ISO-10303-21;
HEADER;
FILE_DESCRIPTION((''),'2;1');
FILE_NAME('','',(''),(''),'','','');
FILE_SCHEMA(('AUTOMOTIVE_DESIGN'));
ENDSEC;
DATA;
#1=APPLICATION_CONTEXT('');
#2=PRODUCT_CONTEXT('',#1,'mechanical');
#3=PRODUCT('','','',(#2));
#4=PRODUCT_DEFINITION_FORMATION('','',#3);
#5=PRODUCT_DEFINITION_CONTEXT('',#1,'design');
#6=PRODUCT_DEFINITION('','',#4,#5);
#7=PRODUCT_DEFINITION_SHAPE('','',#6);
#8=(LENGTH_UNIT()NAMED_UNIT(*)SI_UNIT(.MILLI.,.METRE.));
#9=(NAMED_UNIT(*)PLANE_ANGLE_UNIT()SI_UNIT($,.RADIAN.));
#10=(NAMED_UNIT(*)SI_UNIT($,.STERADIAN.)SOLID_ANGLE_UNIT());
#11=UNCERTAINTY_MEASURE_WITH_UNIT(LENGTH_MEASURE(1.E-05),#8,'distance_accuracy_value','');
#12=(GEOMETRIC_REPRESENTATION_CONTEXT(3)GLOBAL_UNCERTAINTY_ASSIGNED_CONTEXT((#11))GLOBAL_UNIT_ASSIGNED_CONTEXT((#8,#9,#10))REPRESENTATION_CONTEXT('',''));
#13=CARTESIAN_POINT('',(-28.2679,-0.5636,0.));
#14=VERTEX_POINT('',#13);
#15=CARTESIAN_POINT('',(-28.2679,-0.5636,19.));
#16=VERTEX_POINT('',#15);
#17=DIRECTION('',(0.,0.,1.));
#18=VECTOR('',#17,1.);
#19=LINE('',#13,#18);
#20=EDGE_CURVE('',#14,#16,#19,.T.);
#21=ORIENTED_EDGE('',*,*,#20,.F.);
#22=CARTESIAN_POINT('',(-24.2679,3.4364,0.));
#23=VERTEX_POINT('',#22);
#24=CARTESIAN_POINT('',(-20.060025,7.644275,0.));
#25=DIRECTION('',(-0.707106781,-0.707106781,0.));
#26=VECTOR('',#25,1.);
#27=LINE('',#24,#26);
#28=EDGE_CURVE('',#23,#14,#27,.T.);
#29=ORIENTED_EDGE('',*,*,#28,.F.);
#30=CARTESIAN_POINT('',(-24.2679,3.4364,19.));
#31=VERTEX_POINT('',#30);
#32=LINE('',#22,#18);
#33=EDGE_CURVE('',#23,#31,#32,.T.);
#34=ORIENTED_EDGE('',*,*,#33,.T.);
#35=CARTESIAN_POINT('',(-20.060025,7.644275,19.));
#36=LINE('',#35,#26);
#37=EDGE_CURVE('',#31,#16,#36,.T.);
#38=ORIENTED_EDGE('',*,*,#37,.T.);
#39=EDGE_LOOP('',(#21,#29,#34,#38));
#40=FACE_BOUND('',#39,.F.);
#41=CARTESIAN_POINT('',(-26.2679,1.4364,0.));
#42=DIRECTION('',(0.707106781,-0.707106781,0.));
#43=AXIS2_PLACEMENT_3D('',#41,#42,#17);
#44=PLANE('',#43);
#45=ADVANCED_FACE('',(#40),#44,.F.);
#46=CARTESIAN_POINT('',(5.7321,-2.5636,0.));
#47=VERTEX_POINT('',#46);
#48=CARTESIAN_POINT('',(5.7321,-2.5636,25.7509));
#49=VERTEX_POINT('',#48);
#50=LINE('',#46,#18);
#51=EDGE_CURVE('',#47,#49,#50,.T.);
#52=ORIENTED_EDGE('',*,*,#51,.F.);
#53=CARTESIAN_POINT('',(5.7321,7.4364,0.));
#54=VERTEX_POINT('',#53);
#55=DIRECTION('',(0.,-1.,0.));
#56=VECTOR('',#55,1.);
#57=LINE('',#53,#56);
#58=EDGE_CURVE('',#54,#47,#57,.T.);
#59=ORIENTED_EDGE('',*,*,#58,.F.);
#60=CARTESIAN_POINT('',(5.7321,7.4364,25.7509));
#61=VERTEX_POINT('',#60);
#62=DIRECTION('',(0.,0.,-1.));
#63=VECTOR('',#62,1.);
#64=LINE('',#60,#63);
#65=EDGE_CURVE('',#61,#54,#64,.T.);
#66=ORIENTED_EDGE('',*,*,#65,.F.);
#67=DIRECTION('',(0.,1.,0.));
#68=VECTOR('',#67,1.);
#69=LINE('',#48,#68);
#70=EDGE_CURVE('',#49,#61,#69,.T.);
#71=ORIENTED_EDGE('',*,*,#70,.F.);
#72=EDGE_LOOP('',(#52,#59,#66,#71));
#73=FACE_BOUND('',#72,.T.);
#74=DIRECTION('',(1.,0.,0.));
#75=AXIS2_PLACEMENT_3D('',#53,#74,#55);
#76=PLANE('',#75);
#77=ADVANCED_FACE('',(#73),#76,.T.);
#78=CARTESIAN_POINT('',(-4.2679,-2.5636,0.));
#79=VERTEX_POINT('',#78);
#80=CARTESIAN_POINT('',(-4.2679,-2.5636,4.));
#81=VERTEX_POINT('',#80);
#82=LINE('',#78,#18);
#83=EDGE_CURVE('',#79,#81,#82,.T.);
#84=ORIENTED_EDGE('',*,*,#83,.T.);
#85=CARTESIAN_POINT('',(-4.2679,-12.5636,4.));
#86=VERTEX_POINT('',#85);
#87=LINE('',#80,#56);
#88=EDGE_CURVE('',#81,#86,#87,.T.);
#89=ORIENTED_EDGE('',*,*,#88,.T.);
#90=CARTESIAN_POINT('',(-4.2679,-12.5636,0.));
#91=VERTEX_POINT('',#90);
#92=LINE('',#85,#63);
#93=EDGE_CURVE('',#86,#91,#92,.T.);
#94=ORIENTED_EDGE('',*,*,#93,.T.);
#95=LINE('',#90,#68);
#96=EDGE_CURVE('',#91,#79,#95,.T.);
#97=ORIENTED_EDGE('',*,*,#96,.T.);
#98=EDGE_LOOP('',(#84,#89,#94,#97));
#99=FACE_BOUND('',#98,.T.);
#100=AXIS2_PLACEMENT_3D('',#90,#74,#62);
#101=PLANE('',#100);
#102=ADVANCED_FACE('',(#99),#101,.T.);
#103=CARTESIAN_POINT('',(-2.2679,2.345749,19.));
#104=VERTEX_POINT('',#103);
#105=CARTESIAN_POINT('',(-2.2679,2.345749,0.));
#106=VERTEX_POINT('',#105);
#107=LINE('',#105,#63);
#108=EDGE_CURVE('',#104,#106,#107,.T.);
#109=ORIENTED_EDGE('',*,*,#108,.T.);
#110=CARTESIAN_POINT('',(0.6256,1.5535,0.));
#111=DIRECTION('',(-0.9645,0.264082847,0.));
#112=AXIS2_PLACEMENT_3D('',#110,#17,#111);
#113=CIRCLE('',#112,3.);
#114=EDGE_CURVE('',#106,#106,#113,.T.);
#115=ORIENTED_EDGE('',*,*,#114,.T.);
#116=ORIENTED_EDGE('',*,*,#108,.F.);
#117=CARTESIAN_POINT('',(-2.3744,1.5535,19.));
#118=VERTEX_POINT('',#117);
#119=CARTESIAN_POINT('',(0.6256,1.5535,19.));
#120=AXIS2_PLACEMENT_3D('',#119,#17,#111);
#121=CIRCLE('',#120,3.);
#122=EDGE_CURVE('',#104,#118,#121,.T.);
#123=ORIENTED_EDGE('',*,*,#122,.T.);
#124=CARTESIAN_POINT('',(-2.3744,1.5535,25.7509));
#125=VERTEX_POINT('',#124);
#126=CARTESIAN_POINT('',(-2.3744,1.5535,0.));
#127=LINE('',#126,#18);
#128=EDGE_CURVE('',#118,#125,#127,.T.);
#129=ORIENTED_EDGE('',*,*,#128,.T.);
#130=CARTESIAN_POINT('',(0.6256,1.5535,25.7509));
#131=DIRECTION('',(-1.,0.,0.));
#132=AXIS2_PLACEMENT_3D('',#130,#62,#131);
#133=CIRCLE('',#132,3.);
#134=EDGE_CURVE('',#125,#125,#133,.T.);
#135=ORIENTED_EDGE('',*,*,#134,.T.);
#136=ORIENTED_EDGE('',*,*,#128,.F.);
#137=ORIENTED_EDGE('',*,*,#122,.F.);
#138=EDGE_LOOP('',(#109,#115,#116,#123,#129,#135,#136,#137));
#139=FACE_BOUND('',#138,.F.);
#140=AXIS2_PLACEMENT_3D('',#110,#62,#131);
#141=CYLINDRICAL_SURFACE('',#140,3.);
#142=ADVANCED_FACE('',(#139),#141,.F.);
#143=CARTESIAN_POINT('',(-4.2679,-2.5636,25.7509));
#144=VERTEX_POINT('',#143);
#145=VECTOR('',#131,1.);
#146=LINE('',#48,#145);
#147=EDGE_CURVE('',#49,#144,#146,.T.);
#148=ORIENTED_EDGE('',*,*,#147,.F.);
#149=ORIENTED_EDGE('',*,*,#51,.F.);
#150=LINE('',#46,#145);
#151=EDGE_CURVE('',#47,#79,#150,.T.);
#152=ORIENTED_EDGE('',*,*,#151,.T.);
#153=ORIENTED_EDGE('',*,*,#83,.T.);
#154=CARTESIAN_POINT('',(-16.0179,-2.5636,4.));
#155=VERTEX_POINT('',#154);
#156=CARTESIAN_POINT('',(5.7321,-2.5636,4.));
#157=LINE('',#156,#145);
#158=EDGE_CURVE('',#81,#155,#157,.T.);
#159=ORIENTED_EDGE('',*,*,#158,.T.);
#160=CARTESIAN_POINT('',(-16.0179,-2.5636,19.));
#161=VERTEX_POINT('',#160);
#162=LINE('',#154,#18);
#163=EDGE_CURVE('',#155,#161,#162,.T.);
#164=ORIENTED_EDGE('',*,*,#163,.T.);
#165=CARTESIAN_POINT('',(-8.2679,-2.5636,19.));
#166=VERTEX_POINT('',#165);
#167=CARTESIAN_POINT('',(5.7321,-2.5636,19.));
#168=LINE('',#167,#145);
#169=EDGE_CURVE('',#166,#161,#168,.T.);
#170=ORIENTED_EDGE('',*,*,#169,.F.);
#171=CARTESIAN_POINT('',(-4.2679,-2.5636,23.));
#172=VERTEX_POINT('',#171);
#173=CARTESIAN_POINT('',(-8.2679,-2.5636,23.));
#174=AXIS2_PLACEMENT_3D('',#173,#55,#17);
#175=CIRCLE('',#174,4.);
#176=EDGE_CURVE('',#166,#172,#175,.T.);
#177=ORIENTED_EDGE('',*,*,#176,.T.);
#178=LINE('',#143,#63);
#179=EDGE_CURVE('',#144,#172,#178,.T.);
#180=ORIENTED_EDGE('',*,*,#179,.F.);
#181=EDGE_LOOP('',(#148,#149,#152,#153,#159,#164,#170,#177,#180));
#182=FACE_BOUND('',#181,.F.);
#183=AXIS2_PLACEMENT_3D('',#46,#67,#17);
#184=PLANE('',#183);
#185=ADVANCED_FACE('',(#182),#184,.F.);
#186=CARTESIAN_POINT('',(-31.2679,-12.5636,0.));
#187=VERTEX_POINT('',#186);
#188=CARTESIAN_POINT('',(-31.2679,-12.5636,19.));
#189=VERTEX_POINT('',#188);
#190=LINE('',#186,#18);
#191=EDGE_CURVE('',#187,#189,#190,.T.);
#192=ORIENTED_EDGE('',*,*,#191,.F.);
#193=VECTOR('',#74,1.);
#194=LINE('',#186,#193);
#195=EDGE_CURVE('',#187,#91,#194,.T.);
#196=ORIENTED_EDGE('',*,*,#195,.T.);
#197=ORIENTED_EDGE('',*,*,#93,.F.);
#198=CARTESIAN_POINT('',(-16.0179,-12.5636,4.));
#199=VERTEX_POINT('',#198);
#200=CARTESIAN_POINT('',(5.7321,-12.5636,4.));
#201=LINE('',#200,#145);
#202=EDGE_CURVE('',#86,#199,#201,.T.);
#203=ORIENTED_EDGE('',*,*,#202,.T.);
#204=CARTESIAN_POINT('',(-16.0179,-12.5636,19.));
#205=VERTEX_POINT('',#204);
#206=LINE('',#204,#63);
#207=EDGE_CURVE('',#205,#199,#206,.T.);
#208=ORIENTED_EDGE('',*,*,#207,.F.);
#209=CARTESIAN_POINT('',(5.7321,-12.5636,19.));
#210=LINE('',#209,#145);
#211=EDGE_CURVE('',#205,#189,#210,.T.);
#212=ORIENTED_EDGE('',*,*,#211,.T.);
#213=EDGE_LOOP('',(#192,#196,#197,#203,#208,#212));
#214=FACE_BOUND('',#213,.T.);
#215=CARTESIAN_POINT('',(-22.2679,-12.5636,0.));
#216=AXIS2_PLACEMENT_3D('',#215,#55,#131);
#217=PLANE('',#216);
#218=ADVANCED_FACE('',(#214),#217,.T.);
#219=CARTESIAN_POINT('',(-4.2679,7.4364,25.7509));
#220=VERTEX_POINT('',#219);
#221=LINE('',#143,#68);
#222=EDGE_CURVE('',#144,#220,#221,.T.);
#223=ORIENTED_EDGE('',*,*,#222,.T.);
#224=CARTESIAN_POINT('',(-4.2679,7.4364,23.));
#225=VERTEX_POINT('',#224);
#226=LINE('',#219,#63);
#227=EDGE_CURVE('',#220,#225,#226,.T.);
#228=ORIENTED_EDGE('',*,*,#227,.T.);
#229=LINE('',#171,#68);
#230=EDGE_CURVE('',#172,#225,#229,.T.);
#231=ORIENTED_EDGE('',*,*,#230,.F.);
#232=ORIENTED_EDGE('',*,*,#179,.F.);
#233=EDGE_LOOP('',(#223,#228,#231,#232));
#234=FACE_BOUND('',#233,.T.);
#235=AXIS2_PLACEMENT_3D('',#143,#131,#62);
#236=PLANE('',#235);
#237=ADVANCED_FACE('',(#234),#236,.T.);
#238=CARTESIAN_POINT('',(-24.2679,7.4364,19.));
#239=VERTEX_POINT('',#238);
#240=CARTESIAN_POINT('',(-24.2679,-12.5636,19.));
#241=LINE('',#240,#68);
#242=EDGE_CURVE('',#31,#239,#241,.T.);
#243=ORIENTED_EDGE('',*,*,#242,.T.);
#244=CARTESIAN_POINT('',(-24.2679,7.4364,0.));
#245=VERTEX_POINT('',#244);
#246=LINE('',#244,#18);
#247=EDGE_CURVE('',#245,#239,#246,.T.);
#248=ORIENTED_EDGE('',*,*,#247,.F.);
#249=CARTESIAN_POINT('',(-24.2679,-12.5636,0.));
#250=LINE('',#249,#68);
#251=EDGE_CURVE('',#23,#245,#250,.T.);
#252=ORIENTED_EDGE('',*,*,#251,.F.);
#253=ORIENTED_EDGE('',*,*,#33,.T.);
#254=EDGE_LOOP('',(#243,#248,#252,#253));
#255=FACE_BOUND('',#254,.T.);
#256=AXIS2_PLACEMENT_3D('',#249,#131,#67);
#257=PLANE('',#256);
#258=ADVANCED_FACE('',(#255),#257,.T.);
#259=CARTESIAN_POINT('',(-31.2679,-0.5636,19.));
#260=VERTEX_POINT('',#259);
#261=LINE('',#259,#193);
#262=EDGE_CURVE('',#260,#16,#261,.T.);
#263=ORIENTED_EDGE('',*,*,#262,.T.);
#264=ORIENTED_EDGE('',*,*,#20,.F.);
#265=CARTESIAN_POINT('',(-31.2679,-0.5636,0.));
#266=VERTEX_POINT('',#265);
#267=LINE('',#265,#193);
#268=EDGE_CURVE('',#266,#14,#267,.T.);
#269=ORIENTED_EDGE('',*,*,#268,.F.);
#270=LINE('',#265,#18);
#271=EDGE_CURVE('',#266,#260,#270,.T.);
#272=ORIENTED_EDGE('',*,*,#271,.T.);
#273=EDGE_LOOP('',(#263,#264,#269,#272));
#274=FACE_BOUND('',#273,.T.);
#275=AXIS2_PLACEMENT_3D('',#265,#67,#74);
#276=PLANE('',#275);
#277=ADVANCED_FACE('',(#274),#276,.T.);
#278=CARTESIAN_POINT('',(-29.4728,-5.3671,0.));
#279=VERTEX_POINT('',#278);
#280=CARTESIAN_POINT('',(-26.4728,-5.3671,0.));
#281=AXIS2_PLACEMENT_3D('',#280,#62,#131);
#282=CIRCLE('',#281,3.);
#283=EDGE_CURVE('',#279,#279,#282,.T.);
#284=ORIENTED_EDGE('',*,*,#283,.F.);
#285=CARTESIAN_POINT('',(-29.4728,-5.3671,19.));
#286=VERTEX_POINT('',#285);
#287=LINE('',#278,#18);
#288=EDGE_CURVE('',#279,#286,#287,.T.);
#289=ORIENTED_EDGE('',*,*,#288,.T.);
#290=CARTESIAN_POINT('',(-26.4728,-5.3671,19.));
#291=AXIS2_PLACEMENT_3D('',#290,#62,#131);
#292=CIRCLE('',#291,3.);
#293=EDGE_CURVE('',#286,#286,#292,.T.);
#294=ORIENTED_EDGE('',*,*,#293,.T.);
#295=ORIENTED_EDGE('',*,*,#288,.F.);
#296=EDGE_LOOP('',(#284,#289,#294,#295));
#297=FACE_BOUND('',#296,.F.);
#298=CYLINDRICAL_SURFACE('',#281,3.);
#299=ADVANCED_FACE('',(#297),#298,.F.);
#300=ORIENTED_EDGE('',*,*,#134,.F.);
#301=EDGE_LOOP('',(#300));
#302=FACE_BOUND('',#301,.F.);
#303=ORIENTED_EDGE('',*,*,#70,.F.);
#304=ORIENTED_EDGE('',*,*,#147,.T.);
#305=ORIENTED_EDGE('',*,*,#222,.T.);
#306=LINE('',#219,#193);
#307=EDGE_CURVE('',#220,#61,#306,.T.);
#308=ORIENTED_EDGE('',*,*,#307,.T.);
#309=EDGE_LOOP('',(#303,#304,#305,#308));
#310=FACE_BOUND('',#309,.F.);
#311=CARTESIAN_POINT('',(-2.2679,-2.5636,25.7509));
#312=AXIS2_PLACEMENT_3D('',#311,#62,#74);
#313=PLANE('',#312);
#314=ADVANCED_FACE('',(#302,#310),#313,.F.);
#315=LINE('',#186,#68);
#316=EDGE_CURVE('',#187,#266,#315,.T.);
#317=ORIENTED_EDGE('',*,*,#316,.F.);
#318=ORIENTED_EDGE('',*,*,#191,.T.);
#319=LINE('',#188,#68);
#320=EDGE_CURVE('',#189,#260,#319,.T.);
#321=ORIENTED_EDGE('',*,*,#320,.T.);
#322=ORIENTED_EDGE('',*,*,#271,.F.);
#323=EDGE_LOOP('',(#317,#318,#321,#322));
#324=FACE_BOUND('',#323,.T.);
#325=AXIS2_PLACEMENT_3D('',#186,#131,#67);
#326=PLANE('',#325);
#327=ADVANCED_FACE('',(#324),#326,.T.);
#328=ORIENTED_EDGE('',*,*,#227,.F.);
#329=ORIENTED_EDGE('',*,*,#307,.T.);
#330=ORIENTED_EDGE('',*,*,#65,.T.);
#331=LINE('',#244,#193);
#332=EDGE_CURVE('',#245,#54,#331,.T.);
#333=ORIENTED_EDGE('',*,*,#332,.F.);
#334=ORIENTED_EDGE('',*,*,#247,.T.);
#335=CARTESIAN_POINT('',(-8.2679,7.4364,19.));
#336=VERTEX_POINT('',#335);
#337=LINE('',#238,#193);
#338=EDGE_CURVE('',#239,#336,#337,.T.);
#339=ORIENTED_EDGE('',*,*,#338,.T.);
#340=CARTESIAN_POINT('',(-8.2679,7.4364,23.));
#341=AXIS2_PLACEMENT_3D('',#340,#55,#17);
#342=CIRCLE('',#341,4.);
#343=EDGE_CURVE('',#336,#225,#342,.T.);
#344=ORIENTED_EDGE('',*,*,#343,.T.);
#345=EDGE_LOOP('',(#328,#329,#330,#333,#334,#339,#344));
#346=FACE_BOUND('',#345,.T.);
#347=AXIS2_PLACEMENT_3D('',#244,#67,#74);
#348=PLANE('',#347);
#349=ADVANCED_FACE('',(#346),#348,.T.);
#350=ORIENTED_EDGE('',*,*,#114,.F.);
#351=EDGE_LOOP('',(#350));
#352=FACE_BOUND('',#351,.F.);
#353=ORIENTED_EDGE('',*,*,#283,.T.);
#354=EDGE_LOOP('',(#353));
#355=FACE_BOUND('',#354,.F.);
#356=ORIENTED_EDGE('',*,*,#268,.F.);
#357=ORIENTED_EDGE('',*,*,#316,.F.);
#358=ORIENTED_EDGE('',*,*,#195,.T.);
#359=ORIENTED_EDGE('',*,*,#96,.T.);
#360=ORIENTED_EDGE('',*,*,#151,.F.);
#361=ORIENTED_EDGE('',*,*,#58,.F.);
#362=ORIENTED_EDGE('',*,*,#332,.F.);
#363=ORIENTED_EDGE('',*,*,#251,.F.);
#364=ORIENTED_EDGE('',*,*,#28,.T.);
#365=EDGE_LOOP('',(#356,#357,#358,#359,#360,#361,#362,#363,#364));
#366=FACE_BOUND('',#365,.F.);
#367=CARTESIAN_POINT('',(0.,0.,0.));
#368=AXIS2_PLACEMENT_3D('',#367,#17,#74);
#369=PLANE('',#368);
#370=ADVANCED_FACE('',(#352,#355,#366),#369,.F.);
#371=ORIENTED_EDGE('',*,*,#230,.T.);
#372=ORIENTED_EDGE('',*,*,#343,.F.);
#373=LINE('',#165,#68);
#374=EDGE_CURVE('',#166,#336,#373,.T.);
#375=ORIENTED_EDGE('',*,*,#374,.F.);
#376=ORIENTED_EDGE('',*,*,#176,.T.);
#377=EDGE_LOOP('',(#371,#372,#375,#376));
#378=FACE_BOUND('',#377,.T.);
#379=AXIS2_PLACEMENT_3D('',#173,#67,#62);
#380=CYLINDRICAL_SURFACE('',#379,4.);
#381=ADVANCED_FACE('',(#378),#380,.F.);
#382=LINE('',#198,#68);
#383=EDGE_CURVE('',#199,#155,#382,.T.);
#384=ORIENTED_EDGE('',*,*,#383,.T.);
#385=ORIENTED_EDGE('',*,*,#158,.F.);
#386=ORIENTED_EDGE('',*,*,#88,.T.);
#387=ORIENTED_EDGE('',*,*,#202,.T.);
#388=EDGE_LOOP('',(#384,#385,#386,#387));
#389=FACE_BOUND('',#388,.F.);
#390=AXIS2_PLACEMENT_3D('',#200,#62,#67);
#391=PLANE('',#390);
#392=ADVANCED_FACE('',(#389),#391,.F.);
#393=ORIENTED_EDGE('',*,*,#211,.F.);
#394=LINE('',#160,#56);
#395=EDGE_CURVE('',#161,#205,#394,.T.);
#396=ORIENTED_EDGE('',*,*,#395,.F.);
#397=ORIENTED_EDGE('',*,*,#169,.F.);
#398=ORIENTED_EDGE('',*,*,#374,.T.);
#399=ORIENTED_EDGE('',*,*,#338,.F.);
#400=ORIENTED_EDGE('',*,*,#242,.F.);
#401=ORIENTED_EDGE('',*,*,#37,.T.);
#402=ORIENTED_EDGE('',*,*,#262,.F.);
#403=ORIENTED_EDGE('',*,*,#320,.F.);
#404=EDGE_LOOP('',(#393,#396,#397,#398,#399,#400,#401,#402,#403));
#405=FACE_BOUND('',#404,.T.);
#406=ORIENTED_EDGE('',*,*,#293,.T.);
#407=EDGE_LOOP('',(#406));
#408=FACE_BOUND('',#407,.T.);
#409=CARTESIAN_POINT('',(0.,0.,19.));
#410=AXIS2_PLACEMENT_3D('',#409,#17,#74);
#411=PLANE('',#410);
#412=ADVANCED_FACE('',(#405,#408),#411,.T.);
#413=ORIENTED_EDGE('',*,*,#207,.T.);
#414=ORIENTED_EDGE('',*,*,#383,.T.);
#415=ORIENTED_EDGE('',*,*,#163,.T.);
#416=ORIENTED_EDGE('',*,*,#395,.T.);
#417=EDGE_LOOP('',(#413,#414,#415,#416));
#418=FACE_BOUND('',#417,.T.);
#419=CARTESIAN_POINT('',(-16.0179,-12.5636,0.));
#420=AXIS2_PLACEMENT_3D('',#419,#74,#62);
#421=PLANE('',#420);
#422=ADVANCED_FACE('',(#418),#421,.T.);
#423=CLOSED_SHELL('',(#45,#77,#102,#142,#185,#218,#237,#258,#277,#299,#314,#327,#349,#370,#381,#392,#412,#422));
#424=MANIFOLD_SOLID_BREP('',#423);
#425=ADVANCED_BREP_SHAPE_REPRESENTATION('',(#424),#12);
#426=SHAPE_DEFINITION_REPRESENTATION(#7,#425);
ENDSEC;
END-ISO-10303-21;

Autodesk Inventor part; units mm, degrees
ref_plane "YZ Plane" through (0, 0, 0) normal (1, 0, 0) x (0, 1, 0)
ref_plane "XZ Plane" through (0, 0, 0) normal (0, 1, 0) x (-1, 0, 0)
ref_plane "XY Plane" through (0, 0, 0) normal (0, 0, 1) x (1, 0, 0)
sketch "草图1" plane through (0, 0, 0) normal (0, 0, 1) x (1, 0, 0)
  line L0 (-22.2679, -12.5636) -> (3.7321, -12.5636) projected
  line L1 (-24.2679, 7.4364) -> (5.7321, 7.4364)
  line L2 (5.7321, 7.4364) -> (5.7321, -12.5636)
  line L3 (5.7321, -12.5636) -> (-24.2679, -12.5636)
  line L4 (-24.2679, -12.5636) -> (-24.2679, 7.4364)
  point P0 (-22.2679, -12.5636)
  point P1 (3.7321, -12.5636)
  dimension "d4" = 30
  dimension "d5" = 20
extrude "拉伸1" add sketch "草图1" along normal blind 19
sketch "草图2" plane through (0, 0, 0) normal (0, 0, -1) x (-1, 0, 0)
  line L0 (24.2679, 7.4364) -> (24.2679, -12.5636) projected
  line L1 (24.2679, -12.5636) -> (31.2679, -12.5636)
  line L2 (31.2679, -12.5636) -> (31.2679, -0.5636)
  line L3 (31.2679, -0.5636) -> (24.2679, -0.5636)
  line L4 (24.2679, -0.5636) -> (24.2679, -12.5636)
  point P0 (0, 0)
  dimension "d6" = 7
  dimension "d7" = 12
extrude "拉伸2" add sketch "草图2" against normal up to surface (19 mm away)
sketch "草图3" plane through (0, 0, 0) normal (0, 0, -1) x (-1, 0, 0)
  circle A0 centre (-0.6256, 1.5535) radius 3
  circle A1 centre (26.4728, -5.3671) radius 3
  point P0 (0, 0)
  dimension "d10" = 6
  dimension "d11" = 6
extrude "拉伸3" cut sketch "草图3" against normal blind 40
sketch "草图4" plane through (5.7321, -12.5636, 0) normal (1, 0, 0) x (0, 0, -1)
  line L0 (-19, 0) -> (-4, 0)
  line L1 (-4, 0) -> (-4, 10)
  line L2 (-4, 10) -> (-19, 10)
  line L3 (-19, 10) -> (-19, 0)
  point P0 (0, 12.5636)
  dimension "d14" = 10
  dimension "d15" = 15
extrude "拉伸4" cut sketch "草图4" against normal blind 21.75
chamfer "倒角1" distance 4 angle 45 1 edges at (-24.2679, -0.5636, 9.5)
sketch "草图5" plane through (5.7321, -12.5636, 0) normal (1, 0, 0) x (0, 0, -1)
  line L0 (-4, 0) -> (-19, 0) projected
  line L1 (-4, 0) -> (0, 0)
  line L2 (0, 0) -> (0, 10)
  line L3 (0, 10) -> (-4, 10)
  line L4 (-4, 10) -> (-4, 0)
  line L5 (0, 0) -> (0, 20) projected
  line L6 (-19, 10) -> (-4, 10) projected
  point P0 (0, 12.5636)
extrude "拉伸5" cut sketch "草图5" against normal blind 10
sketch "草图6" plane through (5.7321, -2.5636, 0) normal (0, -1, 0) x (1, 0, 0)
  line L0 (0, 0) -> (0, 19) projected
  line L1 (0, 0) -> (-8, 0)
  line L2 (-8, 0) -> (-8, 25.7509)
  line L3 (-8, 25.7509) -> (0, 25.7509)
  line L4 (0, 25.7509) -> (0, 0)
  line L5 (-12.3, 25.7509) -> (0, 25.7509) projected
  line L6 (-21.75, 19) -> (0, 19) projected
  line L7 (-8, 25.7509) -> (-10, 25.7509)
  line L8 (-10, 25.7509) -> (-10, 19)
  line L9 (-10, 19) -> (-8, 19)
  line L10 (-8, 19) -> (-8, 25.7509)
  point P0 (-5.7321, 0)
  point P1 (-8, 19)
  dimension "d23" = 8
  dimension "d28" = 10
extrude "拉伸6" add sketch "草图6" against normal up to surface (10 mm away)
sketch "草图8" plane through (0, 0, 0) normal (0, 0, -1) x (-1, 0, 0)
  circle A0 centre (-0.6256, 1.5535) radius 3
  point P0 (0, 0)
extrude "拉伸7" cut sketch "草图8" against normal blind 42.75
fillet "圆角1" radius 4 1 edges at (-4.2679, 2.4364, 19)
properties part number "固定传动"
